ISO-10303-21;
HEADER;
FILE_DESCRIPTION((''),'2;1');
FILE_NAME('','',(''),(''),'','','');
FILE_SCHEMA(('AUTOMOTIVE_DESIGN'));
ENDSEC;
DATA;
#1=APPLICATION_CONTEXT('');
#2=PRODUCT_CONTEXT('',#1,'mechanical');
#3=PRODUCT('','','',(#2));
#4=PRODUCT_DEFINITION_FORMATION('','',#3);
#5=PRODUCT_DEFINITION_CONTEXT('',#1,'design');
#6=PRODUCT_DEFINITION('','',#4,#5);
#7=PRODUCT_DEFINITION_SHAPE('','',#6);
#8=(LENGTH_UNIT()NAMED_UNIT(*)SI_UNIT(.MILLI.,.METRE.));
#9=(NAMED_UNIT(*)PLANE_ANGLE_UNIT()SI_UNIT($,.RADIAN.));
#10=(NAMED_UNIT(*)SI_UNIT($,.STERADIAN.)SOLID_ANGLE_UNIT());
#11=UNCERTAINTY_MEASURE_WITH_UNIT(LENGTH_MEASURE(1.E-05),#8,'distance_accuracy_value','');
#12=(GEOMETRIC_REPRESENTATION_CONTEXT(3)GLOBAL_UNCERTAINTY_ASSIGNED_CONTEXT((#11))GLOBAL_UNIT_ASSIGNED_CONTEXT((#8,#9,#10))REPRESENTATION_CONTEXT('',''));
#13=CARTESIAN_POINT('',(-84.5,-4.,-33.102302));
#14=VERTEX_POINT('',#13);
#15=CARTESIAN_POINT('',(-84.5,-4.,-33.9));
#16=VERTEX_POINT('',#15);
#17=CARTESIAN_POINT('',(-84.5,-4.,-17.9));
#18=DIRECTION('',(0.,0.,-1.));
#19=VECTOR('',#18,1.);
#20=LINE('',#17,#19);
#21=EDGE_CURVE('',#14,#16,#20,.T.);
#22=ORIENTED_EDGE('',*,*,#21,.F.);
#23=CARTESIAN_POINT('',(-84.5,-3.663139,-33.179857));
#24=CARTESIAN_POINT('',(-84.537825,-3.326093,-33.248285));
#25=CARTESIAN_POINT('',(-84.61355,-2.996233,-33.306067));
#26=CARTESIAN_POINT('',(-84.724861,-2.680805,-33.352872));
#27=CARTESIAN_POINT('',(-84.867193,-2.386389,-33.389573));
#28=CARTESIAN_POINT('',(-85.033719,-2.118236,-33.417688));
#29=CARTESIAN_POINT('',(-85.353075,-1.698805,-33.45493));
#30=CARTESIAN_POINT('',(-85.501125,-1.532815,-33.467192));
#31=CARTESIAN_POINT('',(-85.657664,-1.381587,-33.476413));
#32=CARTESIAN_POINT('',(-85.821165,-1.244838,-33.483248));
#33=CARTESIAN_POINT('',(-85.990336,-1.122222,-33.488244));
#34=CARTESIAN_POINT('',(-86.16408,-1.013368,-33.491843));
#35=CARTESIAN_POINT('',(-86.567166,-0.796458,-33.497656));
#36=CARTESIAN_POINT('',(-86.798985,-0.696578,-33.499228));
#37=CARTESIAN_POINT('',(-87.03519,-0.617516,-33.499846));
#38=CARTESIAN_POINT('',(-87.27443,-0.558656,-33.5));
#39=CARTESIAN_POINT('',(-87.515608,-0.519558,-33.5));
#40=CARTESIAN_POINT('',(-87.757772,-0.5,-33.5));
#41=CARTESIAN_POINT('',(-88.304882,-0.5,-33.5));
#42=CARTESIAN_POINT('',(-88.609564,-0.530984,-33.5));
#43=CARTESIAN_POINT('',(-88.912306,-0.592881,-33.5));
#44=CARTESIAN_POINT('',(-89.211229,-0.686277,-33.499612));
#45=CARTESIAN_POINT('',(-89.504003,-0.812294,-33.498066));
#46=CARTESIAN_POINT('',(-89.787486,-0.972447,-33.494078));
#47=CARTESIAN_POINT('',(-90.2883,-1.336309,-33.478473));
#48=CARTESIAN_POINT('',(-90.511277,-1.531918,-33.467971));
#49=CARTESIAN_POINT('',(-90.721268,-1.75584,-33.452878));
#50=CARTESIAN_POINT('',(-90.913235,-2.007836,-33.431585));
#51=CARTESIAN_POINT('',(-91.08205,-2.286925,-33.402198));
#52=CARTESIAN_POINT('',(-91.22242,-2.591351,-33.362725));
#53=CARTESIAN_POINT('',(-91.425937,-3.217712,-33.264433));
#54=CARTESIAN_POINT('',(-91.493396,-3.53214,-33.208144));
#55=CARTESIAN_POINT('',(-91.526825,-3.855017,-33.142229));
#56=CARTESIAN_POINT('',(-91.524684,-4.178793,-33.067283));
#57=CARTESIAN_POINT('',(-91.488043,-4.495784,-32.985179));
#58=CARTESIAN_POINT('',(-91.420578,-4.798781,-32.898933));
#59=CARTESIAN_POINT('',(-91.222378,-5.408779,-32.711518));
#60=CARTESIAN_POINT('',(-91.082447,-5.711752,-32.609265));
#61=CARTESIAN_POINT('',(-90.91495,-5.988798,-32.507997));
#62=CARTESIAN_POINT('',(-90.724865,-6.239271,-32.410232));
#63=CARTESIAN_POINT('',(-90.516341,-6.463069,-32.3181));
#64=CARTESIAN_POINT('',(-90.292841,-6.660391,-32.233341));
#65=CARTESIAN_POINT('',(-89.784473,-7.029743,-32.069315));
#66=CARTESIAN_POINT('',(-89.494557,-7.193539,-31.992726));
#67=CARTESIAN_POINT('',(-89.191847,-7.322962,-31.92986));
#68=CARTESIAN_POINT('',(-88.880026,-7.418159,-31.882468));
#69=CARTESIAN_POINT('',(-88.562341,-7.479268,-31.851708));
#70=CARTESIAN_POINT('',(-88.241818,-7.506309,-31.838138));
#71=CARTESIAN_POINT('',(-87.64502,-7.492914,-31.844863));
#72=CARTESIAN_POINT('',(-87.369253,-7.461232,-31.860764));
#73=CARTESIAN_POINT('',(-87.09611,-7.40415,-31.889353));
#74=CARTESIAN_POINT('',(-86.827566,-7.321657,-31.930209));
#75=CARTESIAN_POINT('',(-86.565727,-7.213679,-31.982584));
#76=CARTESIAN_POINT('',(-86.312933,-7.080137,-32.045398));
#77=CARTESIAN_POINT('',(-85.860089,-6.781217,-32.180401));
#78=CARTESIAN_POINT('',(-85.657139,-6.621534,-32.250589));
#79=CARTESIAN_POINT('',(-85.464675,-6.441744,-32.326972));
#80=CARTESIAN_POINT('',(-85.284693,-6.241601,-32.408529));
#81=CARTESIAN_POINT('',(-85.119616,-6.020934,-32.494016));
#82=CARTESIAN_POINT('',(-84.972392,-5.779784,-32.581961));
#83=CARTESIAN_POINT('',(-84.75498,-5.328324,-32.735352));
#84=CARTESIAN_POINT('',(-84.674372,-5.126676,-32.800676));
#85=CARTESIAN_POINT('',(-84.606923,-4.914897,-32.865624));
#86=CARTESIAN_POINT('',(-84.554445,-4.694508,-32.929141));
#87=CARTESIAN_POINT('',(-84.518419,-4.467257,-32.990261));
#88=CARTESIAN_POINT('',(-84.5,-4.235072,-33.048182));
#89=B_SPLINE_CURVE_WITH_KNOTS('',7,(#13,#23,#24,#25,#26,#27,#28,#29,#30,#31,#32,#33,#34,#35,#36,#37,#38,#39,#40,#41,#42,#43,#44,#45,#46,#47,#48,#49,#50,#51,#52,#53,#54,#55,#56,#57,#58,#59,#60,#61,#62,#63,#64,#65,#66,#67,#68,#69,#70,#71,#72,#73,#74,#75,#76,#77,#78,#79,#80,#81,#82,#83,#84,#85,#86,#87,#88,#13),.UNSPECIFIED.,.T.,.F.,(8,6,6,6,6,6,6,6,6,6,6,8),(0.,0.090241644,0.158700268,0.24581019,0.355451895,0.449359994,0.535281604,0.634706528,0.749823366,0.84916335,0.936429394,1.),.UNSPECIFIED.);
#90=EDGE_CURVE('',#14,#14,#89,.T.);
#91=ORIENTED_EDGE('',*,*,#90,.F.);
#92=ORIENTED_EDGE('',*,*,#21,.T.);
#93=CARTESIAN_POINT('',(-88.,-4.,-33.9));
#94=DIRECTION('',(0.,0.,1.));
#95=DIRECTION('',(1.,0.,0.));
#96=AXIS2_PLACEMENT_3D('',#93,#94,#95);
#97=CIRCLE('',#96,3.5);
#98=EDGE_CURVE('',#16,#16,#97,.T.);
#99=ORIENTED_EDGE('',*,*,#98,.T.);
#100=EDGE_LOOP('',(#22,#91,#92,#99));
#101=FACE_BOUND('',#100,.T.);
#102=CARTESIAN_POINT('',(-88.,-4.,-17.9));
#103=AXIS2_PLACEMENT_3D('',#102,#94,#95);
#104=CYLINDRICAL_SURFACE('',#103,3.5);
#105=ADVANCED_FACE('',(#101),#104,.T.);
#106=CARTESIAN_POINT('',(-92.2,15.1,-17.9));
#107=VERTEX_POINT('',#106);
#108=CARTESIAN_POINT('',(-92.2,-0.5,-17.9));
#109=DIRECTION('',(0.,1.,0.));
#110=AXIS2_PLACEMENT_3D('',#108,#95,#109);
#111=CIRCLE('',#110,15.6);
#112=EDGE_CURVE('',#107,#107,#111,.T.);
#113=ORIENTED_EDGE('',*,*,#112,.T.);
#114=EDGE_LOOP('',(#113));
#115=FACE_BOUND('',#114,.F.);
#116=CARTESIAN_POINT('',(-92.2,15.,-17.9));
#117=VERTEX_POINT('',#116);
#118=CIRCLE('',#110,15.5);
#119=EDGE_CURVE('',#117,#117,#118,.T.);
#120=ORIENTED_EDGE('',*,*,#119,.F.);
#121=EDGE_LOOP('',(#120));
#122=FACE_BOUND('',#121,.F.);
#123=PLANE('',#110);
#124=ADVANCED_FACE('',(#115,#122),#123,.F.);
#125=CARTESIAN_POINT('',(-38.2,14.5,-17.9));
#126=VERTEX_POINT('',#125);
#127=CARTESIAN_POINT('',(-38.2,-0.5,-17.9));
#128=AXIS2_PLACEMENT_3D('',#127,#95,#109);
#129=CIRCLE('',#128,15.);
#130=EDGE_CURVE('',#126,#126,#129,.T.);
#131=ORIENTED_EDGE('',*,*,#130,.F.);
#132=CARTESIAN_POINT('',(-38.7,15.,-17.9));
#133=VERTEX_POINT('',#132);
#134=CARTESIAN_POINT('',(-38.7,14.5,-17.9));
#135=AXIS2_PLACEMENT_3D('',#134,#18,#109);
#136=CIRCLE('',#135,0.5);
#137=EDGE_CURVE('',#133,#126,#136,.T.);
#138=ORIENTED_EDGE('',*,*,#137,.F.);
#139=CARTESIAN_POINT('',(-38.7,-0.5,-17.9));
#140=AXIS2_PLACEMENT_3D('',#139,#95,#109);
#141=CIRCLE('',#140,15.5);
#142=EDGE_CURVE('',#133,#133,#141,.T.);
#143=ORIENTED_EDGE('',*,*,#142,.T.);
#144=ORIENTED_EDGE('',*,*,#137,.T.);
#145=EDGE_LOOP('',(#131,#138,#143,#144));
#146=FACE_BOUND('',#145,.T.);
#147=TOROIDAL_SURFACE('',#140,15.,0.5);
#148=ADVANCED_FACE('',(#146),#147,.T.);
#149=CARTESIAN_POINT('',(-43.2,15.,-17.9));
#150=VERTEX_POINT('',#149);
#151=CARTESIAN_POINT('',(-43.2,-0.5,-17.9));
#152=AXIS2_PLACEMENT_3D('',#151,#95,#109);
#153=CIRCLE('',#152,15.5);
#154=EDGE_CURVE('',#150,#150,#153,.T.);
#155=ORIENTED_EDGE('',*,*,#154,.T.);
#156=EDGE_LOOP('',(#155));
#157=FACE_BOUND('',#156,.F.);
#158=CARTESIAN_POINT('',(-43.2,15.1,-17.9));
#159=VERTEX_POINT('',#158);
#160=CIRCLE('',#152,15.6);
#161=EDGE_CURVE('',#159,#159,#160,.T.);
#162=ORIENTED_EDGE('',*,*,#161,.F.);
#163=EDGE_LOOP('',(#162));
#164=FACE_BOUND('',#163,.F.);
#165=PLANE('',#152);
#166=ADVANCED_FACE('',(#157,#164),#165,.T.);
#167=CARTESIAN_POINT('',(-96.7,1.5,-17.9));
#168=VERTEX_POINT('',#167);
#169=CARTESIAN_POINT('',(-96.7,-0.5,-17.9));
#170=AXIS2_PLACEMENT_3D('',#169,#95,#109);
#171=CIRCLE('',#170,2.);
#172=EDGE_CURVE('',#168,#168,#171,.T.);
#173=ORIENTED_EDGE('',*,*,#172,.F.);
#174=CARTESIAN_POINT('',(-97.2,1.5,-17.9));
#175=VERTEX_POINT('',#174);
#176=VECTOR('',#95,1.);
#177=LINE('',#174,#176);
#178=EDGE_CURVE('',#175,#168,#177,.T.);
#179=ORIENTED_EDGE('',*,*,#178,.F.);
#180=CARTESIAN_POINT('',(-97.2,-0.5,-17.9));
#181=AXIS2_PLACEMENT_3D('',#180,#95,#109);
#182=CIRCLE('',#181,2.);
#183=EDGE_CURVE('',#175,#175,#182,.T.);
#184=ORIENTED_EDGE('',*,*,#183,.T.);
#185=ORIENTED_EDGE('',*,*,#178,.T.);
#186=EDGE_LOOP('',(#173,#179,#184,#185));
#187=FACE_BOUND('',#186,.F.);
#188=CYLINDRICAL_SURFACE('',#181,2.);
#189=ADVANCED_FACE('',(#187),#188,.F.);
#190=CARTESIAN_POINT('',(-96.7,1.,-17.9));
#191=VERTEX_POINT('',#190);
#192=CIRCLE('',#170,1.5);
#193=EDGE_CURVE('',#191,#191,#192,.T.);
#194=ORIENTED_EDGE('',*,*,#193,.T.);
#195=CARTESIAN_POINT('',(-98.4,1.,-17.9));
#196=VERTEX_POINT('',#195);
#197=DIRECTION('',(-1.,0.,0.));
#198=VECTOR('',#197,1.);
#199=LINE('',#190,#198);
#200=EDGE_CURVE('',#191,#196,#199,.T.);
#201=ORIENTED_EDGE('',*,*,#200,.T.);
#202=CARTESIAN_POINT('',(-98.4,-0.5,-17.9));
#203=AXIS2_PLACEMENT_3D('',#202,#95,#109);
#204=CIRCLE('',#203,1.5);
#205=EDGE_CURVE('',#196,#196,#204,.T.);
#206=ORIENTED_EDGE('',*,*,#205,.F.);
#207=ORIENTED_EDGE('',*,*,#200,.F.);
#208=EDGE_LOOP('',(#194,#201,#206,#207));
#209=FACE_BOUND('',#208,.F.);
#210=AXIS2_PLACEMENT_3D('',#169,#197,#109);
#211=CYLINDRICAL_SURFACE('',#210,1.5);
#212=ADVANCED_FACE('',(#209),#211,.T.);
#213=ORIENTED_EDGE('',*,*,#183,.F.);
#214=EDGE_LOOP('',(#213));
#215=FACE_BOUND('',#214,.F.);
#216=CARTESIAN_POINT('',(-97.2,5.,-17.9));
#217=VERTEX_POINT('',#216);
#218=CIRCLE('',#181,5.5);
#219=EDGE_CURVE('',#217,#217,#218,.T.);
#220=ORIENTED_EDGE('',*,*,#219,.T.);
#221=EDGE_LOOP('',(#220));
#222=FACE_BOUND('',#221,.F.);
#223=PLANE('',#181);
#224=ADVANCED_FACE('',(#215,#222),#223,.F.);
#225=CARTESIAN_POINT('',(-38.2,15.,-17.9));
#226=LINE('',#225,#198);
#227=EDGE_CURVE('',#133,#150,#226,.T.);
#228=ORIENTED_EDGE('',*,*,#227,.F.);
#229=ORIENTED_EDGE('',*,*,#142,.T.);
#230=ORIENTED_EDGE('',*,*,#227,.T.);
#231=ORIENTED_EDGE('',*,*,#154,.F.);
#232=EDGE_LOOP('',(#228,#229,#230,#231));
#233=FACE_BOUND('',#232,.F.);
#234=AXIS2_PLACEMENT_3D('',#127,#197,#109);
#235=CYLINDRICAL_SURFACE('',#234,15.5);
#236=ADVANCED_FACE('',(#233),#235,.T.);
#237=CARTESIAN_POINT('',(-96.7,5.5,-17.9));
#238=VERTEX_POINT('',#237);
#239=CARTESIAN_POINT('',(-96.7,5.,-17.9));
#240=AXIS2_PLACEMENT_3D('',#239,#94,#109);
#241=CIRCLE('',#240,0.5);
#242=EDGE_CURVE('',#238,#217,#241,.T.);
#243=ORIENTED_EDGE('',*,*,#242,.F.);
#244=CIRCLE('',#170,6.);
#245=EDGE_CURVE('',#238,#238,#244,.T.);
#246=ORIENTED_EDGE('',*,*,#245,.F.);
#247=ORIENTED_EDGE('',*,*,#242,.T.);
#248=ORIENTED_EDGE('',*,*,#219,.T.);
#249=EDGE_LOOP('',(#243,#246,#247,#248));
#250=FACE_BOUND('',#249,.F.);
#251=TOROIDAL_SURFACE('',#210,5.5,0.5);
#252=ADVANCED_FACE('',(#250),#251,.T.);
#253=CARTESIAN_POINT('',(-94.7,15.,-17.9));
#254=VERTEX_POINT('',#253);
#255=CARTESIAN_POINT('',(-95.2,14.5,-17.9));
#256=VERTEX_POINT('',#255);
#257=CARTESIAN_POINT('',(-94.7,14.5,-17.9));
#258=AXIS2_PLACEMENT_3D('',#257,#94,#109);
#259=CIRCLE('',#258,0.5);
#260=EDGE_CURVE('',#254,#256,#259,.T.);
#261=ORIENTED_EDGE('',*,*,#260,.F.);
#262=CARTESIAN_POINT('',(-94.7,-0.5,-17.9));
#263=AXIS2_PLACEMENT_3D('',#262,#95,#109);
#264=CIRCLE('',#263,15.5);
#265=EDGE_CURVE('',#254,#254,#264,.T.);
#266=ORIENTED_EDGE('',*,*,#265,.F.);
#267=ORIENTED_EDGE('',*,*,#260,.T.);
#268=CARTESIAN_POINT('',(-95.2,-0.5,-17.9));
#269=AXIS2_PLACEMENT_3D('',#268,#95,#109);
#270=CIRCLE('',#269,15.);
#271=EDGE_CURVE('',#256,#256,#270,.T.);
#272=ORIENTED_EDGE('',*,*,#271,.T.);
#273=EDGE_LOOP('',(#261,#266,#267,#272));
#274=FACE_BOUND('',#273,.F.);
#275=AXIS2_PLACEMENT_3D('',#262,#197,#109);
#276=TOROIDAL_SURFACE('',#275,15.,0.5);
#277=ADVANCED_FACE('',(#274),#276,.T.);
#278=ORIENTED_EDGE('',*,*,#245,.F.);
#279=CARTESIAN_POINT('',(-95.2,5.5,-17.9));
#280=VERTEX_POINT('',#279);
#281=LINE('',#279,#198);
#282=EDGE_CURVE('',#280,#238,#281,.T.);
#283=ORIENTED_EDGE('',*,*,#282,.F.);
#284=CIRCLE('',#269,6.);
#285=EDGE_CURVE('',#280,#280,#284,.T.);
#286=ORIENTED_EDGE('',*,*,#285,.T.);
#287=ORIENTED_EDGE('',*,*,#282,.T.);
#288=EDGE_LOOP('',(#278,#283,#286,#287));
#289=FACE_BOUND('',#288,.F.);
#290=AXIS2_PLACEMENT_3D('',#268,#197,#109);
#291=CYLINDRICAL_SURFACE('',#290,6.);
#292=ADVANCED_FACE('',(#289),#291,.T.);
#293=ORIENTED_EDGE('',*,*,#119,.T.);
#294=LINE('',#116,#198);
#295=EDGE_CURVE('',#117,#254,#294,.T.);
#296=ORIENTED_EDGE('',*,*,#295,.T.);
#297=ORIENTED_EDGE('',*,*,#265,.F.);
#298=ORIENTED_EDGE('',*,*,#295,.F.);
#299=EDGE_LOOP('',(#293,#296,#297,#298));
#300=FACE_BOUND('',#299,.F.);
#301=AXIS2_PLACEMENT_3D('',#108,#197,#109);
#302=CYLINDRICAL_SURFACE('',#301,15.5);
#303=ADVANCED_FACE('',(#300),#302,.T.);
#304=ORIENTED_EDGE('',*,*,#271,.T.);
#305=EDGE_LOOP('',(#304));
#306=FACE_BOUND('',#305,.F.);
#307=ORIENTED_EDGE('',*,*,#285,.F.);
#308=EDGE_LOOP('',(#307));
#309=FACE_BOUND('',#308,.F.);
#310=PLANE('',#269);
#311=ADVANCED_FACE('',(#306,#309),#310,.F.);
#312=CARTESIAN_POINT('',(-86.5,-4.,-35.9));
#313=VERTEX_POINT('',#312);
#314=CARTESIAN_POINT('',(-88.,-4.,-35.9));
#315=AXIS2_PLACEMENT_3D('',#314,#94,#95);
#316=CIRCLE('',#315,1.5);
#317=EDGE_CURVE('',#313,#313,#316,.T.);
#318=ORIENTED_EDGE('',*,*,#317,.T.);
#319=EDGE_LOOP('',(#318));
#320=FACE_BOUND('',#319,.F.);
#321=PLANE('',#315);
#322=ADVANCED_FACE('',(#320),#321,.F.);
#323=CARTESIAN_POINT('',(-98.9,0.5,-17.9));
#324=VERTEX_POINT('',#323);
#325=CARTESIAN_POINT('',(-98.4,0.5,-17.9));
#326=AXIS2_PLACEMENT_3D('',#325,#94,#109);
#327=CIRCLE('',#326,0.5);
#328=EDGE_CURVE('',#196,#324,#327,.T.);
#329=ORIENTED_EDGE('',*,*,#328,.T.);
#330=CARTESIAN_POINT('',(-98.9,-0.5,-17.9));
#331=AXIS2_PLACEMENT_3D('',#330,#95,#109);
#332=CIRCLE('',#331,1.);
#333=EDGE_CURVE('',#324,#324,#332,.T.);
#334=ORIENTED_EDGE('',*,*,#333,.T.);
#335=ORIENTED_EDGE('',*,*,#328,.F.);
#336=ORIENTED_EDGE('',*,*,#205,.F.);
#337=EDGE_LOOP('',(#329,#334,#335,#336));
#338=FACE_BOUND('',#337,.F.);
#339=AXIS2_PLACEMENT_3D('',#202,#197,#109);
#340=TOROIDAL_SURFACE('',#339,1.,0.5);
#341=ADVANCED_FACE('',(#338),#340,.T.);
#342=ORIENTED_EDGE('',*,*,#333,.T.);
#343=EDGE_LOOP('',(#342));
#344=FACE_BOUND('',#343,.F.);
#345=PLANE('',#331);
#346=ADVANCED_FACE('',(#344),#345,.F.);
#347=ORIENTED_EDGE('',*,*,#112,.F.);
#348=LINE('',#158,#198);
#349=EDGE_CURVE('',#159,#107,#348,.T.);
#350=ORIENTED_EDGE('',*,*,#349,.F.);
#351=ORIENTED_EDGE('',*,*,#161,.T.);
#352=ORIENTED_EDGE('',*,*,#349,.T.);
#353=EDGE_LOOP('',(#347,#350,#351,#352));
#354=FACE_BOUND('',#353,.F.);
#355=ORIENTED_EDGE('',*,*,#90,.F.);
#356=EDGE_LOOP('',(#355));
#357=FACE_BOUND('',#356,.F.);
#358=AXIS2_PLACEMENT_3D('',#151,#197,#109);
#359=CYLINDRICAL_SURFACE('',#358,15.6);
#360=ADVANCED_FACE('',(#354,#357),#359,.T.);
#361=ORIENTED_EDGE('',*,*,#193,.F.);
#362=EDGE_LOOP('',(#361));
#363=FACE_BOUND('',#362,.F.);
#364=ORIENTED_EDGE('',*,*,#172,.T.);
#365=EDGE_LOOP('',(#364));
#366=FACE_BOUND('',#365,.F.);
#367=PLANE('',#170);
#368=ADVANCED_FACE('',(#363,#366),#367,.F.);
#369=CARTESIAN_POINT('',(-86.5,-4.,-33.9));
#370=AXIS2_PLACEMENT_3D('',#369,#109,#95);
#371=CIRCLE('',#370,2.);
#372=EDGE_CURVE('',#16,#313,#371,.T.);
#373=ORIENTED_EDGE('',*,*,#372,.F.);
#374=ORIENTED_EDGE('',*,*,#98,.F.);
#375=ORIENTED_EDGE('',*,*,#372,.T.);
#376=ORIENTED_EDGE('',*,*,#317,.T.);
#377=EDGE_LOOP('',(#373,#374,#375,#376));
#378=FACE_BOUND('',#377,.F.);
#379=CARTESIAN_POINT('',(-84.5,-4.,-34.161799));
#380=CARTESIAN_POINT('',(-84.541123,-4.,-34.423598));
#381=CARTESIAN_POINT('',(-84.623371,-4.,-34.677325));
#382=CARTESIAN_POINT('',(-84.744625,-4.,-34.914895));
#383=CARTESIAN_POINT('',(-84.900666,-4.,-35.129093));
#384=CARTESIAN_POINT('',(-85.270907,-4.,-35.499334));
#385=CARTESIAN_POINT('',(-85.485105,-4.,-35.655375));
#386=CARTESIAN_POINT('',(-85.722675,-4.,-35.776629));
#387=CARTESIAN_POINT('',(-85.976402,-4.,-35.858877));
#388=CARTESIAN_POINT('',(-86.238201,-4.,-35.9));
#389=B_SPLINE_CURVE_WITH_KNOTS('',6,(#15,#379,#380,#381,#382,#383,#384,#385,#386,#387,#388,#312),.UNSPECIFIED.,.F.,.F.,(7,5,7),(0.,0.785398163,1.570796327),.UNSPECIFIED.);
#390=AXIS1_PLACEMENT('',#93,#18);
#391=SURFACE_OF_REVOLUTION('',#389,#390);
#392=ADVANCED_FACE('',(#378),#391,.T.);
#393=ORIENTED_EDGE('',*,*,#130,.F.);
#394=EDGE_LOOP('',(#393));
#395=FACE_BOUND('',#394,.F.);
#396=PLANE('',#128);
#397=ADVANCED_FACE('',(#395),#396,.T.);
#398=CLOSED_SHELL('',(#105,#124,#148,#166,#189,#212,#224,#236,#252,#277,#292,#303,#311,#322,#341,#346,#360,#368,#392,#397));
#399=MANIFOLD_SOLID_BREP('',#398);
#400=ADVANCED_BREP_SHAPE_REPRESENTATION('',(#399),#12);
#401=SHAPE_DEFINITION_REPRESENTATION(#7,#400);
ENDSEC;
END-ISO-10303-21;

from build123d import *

# Parameters (mm, degrees)
SKETCH007_R  = 3.5
PAD004_DEPTH = 18
FILLET_R     = 2
FILLET001_R  = 0.5


with BuildPart() as part:
    # Sketch006 → Revolution (revolve)
    with BuildSketch(Plane.XY):
        Polygon((-38.2, 0), (-38.2, 15.5), (-43.2, 15.5), (-43.2, 15.6), (-92.2, 15.6), (-92.2, 15.5), (-95.2, 15.5), (-95.2, 6), (-97.2, 6), (-97.2, 2), (-96.7, 2), (-96.7, 1.5), (-98.9, 1.5), (-98.9, 0), align=None)
    revolve(axis=Axis((0, 0, 0), (1, 0, 0)))

    # Sketch007 → Pad004 (new body)
    with BuildSketch(Plane.XY):
        with Locations((-88, -3.5)):
            Circle(SKETCH007_R)
    extrude(amount=-PAD004_DEPTH)

    # Fillet
    fillet_edges = [part.edges().sort_by_distance(p)[0] for p in [
        (-91.5, -3.5, -18),
    ]]
    fillet(fillet_edges, radius=FILLET_R)

    # Fillet001
    fillet001_edges = [part.edges().sort_by_distance(p)[0] for p in [
        (-95.2, -15.5, 0),
        (-38.2, -15.5, 0),
        (-97.2, -6, 0),
        (-98.9, -1.5, 0),
    ]]
    fillet(fillet001_edges, radius=FILLET001_R)


with BuildPart() as part_1:
    # Body001 placement: moved
    add(part.part.moved(Location((0, -0.5, -17.9))))


solid = part_1.part
